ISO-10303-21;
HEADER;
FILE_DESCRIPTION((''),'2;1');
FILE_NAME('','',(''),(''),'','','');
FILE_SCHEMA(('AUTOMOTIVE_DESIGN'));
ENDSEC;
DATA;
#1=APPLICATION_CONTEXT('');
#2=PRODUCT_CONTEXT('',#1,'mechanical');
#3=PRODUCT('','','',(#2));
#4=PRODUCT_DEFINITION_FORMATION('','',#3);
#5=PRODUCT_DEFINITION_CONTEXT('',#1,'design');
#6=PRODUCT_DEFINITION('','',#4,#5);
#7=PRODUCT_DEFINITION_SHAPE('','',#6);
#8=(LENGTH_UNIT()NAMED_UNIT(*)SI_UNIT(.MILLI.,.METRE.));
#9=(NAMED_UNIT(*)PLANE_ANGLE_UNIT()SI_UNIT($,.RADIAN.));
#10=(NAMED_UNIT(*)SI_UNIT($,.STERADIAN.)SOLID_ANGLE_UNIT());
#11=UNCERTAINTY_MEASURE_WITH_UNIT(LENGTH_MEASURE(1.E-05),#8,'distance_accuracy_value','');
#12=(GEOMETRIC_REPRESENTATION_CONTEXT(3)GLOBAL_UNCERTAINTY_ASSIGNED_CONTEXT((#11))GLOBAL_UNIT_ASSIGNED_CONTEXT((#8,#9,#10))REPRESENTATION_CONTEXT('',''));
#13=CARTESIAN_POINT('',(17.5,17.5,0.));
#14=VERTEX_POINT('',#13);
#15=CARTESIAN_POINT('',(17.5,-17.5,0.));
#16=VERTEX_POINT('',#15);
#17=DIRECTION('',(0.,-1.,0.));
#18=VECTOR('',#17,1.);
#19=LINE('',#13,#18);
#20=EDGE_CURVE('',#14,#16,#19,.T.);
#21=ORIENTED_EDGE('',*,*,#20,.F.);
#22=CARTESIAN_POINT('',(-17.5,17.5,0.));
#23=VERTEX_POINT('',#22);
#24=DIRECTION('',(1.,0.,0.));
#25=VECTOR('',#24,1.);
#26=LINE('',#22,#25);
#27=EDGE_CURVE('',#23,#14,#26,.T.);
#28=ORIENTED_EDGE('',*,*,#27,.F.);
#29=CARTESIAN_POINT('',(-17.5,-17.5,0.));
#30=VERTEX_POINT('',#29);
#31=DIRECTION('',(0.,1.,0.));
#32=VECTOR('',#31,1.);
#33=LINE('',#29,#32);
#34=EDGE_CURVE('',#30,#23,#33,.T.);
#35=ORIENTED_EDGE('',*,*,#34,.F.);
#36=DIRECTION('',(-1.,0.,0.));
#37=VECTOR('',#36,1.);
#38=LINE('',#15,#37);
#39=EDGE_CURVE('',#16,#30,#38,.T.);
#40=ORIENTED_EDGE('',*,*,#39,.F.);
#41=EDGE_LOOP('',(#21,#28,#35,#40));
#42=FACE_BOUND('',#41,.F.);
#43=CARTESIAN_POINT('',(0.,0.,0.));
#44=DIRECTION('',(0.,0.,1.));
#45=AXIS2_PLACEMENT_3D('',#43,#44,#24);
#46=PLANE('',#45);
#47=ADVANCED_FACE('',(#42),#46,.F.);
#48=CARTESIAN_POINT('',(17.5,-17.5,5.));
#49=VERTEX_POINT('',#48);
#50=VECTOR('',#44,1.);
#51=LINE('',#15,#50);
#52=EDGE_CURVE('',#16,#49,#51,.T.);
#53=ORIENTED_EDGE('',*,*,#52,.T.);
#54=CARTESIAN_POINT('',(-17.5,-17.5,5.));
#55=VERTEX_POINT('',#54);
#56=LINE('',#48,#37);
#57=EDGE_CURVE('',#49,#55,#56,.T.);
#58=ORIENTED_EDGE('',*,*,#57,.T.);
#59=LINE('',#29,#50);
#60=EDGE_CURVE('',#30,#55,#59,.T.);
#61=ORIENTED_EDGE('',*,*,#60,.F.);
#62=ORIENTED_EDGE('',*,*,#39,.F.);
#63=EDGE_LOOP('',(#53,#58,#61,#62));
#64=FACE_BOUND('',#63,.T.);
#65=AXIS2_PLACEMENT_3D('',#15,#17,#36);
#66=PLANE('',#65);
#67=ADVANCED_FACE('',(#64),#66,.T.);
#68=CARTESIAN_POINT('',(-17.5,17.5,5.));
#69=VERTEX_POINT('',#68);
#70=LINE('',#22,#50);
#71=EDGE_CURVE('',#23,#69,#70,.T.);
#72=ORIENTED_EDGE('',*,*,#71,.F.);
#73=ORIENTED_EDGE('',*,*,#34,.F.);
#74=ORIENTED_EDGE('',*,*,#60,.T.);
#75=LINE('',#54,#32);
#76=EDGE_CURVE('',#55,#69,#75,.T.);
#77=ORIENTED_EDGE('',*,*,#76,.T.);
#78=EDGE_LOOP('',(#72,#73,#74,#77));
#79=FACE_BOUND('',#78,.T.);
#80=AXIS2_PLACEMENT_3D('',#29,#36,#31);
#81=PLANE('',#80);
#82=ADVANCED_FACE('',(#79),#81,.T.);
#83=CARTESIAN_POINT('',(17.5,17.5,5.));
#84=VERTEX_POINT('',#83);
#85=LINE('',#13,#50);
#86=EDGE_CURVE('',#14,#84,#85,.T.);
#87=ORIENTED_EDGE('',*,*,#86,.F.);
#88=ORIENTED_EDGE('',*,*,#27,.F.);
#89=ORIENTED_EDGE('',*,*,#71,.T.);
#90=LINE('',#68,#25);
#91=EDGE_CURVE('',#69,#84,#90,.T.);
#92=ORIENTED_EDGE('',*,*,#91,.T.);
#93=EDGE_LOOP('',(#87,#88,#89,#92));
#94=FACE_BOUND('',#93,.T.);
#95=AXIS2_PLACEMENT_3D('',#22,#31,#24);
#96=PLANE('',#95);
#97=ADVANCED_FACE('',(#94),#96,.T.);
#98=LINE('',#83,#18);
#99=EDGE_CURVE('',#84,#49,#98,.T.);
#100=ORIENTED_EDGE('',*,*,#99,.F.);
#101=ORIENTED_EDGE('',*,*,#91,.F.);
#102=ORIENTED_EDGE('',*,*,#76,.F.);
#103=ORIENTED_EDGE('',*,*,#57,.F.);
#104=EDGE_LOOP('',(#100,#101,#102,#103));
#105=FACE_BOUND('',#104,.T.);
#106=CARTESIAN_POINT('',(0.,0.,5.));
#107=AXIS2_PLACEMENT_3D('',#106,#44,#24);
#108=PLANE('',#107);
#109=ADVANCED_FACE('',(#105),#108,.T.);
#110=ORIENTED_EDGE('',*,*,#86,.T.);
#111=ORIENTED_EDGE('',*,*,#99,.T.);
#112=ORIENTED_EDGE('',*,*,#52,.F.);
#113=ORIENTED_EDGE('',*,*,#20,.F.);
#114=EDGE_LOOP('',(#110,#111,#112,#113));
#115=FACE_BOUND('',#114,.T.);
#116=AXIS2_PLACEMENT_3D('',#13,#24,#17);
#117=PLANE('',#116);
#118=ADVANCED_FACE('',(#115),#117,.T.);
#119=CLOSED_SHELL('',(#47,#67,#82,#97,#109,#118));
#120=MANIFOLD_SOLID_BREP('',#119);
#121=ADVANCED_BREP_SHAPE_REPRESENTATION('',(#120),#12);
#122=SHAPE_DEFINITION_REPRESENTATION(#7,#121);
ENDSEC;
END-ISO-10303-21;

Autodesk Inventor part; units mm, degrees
ref_plane "YZ Plane" through (0, 0, 0) normal (1, 0, 0) x (0, 1, 0)
ref_plane "XZ Plane" through (0, 0, 0) normal (0, 1, 0) x (-1, 0, 0)
ref_plane "XY Plane" through (0, 0, 0) normal (0, 0, 1) x (1, 0, 0)
sketch "Sketch1" plane through (0, 0, 0) normal (0, 0, 1) x (1, 0, 0)
  line L0 (-17.5, 17.5) -> (17.5, 17.5)
  line L1 (17.5, 17.5) -> (17.5, -17.5)
  line L2 (17.5, -17.5) -> (-17.5, -17.5)
  line L3 (-17.5, -17.5) -> (-17.5, 17.5)
  point P0 (0, 0)
  point P1 (0, 17.5)
  point P2 (17.5, 0)
  dimension "d0" = 35
  dimension "d1" = 35
extrude "Extrusion1" add sketch "Sketch1" along normal blind 5
properties part number "XCZU48DR-FFVE1156 DIE"
